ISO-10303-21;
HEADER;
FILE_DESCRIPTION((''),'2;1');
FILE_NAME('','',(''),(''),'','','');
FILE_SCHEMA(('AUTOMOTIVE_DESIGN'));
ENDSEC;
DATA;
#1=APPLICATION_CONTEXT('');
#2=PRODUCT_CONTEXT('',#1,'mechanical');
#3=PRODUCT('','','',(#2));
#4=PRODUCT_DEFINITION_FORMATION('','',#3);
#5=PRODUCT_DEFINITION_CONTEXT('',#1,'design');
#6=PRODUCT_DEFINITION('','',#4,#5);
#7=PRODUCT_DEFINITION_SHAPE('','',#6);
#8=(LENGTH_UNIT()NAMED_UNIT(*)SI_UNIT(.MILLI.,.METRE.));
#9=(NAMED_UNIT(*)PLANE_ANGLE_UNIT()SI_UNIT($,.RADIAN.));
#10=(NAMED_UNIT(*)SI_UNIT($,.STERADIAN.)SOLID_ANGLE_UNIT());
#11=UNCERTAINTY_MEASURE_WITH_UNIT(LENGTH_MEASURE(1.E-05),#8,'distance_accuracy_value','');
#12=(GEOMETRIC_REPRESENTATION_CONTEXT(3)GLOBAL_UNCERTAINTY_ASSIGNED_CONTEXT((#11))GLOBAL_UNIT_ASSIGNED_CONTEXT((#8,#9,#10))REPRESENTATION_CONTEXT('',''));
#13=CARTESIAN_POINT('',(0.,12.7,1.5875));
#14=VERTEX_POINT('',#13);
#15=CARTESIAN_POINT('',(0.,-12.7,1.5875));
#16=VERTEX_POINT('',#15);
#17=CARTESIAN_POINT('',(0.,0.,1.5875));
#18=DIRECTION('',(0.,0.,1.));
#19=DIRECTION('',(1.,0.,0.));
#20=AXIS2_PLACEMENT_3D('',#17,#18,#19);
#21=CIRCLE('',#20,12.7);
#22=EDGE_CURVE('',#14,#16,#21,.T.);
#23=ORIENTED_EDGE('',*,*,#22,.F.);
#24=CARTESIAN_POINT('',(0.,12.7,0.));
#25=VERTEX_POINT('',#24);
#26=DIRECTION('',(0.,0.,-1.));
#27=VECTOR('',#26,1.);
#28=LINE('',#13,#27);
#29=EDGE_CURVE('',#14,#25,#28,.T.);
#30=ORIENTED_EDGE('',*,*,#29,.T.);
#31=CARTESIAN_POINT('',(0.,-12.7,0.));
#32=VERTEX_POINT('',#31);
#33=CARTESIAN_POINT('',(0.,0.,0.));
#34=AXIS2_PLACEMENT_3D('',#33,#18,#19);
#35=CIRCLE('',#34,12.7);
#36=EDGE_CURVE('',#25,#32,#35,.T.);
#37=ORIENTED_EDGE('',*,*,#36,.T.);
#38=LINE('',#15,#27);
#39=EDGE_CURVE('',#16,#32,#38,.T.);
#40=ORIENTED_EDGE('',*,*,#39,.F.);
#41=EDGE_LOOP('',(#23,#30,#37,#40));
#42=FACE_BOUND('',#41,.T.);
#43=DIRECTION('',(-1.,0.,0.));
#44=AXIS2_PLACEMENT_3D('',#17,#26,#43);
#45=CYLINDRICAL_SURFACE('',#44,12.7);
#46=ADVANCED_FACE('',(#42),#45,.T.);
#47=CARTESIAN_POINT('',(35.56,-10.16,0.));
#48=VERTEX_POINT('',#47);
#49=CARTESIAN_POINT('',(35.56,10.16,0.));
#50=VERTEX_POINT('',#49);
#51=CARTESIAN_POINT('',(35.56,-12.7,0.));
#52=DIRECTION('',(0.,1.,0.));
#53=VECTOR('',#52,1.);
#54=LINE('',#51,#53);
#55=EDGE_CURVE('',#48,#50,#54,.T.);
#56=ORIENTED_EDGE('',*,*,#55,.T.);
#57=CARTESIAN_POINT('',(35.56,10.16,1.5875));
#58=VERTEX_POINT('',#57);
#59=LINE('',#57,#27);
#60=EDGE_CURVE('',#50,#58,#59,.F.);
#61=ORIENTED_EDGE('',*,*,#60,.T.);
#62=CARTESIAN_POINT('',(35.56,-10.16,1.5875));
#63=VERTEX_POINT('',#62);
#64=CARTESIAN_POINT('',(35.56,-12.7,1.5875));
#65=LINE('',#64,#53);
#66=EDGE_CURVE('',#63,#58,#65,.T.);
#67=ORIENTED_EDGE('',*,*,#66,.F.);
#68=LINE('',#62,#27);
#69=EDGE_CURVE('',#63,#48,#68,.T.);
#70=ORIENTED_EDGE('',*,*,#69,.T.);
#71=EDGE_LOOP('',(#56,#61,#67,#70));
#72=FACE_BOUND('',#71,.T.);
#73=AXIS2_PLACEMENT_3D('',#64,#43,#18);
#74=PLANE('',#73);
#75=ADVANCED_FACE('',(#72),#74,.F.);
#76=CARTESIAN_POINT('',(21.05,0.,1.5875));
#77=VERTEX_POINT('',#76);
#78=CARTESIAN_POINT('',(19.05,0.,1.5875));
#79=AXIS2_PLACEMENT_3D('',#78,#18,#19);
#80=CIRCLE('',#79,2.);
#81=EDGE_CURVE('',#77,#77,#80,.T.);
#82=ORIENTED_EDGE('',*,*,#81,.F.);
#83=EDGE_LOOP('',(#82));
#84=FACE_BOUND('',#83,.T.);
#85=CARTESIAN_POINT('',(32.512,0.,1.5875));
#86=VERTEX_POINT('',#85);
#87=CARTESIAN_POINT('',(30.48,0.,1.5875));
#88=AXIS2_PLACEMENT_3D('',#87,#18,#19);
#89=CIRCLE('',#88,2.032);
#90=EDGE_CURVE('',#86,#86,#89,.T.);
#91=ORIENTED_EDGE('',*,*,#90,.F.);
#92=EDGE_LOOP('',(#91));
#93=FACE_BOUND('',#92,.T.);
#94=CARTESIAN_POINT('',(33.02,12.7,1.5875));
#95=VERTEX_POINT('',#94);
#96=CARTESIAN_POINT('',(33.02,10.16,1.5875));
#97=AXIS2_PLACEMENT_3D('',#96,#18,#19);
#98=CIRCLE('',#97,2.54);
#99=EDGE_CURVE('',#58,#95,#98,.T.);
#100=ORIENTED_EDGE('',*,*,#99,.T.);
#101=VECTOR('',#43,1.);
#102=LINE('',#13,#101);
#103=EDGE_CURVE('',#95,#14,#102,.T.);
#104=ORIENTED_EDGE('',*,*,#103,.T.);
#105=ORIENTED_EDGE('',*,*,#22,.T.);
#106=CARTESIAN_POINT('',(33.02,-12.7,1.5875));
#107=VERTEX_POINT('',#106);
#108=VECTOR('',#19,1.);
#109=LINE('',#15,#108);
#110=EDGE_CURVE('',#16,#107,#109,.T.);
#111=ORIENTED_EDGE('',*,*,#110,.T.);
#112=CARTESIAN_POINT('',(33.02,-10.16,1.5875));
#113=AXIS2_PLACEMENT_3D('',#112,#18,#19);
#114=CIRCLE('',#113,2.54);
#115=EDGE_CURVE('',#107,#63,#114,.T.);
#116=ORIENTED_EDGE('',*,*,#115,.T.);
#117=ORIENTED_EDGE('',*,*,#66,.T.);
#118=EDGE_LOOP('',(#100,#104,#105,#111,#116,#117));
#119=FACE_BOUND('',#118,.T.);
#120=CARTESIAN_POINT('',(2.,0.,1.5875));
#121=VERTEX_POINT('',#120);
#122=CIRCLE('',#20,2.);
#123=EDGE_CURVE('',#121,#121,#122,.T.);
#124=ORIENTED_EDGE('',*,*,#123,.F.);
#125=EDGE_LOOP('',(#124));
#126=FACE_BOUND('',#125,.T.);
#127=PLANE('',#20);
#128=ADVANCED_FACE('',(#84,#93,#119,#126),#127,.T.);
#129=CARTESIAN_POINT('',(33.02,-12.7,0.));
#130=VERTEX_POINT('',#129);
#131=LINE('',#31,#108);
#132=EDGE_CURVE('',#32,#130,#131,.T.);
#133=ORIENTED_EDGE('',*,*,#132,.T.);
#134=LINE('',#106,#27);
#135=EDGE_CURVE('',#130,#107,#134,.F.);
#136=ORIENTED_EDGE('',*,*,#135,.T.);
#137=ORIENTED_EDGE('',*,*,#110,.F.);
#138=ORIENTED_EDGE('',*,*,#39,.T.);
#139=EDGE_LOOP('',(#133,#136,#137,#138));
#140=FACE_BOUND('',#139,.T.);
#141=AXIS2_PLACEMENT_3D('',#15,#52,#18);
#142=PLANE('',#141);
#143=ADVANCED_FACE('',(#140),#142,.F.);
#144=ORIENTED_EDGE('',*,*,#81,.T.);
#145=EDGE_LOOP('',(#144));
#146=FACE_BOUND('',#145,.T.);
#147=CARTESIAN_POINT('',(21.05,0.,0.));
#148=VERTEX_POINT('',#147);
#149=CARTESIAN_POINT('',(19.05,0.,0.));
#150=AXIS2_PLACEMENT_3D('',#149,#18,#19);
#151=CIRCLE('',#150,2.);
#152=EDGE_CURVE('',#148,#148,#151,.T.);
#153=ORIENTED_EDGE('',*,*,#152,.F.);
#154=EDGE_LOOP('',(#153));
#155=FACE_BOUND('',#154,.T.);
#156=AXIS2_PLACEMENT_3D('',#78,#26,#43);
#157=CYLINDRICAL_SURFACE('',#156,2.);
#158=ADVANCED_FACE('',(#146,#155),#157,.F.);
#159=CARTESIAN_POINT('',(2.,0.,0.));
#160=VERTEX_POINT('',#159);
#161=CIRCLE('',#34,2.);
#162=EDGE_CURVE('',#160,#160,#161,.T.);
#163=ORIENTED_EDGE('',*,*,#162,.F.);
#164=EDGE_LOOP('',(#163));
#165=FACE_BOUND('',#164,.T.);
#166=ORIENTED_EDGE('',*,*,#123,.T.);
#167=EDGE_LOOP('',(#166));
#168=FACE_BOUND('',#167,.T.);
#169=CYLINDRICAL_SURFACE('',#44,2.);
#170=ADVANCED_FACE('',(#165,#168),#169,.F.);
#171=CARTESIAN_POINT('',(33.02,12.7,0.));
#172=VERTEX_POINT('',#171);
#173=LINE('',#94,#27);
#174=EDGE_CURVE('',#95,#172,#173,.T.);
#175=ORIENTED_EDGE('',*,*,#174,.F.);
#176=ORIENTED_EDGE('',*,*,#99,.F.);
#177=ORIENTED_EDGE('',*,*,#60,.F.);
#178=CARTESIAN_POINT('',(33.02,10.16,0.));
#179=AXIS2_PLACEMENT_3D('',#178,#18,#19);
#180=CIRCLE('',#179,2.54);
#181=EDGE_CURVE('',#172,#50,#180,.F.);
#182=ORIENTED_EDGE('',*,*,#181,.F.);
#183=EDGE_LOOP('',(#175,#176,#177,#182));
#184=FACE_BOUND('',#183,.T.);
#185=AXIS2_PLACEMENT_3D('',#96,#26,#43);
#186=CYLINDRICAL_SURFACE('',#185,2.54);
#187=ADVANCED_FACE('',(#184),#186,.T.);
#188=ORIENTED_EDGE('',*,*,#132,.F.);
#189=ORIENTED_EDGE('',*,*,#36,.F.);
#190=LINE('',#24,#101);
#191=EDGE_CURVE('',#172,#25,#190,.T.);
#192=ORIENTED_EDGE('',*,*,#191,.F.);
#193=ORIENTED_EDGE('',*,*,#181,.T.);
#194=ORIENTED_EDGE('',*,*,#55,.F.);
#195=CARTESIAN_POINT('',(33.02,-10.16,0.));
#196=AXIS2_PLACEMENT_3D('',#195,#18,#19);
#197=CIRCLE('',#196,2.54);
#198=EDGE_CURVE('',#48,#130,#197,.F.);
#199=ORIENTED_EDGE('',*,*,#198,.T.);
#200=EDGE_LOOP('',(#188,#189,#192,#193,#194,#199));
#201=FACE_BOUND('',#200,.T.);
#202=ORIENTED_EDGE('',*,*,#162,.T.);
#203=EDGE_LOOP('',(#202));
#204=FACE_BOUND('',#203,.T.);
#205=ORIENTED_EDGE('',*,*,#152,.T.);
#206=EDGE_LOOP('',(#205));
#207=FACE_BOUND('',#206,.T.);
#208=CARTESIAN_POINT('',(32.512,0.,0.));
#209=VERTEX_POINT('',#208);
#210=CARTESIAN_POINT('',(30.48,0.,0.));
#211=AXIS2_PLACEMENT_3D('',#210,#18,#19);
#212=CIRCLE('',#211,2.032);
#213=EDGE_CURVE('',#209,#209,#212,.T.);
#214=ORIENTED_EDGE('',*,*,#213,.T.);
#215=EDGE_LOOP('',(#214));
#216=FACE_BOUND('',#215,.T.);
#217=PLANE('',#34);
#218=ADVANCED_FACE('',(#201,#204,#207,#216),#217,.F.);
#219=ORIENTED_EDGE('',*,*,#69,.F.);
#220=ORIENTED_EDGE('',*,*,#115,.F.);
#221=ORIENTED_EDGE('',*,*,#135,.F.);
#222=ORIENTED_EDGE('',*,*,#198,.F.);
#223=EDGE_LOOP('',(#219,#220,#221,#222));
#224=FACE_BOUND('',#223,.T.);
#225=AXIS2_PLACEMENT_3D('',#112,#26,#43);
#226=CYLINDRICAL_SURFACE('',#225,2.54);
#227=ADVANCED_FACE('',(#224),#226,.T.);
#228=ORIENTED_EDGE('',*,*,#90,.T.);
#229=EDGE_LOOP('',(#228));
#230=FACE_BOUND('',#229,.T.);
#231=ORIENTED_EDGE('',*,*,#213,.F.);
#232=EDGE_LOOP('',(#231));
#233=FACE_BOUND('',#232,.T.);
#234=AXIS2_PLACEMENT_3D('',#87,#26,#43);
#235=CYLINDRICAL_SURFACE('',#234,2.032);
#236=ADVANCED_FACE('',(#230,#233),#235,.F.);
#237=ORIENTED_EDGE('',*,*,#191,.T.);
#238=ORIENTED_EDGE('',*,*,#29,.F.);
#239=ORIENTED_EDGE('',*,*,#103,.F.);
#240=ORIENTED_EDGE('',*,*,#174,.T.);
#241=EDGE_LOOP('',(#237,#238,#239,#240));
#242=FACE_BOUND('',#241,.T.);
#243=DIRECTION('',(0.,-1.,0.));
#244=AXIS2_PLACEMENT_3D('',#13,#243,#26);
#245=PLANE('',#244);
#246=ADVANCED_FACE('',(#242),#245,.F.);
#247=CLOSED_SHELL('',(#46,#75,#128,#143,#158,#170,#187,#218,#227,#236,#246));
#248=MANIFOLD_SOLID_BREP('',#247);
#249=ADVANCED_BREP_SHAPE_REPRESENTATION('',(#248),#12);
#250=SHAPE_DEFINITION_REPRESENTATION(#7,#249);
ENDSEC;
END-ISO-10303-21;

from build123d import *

# Parameters (mm, degrees)
SKETCH1_R           = 2
SKETCH1_R_2         = 2.032
BOSS_EXTRUDE1_DEPTH = 1.5875
FILLET1_R           = 2.54


with BuildPart() as part:
    # Sketch1 → Boss-Extrude1 (new body)
    with BuildSketch(Plane.XY):
        with BuildLine():
            Line((0, -12.7), (35.56, -12.7))
            Line((35.56, -12.7), (35.56, 12.7))
            Line((35.56, 12.7), (0, 12.7))
            ThreePointArc((0, 12.7), (-12.7, 0), (0, -12.7))
        make_face()
        Circle(SKETCH1_R, mode=Mode.SUBTRACT)
        with Locations((19.05, 0)):
            Circle(SKETCH1_R, mode=Mode.SUBTRACT)
        with Locations((30.48, 0)):
            Circle(SKETCH1_R_2, mode=Mode.SUBTRACT)
    extrude(amount=BOSS_EXTRUDE1_DEPTH)

    # Fillet1
    fillet1_edges = [part.edges().sort_by_distance(p)[0] for p in [
        (35.56, 12.7, 0.79375),
        (35.56, -12.7, 0.79375),
    ]]
    fillet(fillet1_edges, radius=FILLET1_R)


solid = part.part
